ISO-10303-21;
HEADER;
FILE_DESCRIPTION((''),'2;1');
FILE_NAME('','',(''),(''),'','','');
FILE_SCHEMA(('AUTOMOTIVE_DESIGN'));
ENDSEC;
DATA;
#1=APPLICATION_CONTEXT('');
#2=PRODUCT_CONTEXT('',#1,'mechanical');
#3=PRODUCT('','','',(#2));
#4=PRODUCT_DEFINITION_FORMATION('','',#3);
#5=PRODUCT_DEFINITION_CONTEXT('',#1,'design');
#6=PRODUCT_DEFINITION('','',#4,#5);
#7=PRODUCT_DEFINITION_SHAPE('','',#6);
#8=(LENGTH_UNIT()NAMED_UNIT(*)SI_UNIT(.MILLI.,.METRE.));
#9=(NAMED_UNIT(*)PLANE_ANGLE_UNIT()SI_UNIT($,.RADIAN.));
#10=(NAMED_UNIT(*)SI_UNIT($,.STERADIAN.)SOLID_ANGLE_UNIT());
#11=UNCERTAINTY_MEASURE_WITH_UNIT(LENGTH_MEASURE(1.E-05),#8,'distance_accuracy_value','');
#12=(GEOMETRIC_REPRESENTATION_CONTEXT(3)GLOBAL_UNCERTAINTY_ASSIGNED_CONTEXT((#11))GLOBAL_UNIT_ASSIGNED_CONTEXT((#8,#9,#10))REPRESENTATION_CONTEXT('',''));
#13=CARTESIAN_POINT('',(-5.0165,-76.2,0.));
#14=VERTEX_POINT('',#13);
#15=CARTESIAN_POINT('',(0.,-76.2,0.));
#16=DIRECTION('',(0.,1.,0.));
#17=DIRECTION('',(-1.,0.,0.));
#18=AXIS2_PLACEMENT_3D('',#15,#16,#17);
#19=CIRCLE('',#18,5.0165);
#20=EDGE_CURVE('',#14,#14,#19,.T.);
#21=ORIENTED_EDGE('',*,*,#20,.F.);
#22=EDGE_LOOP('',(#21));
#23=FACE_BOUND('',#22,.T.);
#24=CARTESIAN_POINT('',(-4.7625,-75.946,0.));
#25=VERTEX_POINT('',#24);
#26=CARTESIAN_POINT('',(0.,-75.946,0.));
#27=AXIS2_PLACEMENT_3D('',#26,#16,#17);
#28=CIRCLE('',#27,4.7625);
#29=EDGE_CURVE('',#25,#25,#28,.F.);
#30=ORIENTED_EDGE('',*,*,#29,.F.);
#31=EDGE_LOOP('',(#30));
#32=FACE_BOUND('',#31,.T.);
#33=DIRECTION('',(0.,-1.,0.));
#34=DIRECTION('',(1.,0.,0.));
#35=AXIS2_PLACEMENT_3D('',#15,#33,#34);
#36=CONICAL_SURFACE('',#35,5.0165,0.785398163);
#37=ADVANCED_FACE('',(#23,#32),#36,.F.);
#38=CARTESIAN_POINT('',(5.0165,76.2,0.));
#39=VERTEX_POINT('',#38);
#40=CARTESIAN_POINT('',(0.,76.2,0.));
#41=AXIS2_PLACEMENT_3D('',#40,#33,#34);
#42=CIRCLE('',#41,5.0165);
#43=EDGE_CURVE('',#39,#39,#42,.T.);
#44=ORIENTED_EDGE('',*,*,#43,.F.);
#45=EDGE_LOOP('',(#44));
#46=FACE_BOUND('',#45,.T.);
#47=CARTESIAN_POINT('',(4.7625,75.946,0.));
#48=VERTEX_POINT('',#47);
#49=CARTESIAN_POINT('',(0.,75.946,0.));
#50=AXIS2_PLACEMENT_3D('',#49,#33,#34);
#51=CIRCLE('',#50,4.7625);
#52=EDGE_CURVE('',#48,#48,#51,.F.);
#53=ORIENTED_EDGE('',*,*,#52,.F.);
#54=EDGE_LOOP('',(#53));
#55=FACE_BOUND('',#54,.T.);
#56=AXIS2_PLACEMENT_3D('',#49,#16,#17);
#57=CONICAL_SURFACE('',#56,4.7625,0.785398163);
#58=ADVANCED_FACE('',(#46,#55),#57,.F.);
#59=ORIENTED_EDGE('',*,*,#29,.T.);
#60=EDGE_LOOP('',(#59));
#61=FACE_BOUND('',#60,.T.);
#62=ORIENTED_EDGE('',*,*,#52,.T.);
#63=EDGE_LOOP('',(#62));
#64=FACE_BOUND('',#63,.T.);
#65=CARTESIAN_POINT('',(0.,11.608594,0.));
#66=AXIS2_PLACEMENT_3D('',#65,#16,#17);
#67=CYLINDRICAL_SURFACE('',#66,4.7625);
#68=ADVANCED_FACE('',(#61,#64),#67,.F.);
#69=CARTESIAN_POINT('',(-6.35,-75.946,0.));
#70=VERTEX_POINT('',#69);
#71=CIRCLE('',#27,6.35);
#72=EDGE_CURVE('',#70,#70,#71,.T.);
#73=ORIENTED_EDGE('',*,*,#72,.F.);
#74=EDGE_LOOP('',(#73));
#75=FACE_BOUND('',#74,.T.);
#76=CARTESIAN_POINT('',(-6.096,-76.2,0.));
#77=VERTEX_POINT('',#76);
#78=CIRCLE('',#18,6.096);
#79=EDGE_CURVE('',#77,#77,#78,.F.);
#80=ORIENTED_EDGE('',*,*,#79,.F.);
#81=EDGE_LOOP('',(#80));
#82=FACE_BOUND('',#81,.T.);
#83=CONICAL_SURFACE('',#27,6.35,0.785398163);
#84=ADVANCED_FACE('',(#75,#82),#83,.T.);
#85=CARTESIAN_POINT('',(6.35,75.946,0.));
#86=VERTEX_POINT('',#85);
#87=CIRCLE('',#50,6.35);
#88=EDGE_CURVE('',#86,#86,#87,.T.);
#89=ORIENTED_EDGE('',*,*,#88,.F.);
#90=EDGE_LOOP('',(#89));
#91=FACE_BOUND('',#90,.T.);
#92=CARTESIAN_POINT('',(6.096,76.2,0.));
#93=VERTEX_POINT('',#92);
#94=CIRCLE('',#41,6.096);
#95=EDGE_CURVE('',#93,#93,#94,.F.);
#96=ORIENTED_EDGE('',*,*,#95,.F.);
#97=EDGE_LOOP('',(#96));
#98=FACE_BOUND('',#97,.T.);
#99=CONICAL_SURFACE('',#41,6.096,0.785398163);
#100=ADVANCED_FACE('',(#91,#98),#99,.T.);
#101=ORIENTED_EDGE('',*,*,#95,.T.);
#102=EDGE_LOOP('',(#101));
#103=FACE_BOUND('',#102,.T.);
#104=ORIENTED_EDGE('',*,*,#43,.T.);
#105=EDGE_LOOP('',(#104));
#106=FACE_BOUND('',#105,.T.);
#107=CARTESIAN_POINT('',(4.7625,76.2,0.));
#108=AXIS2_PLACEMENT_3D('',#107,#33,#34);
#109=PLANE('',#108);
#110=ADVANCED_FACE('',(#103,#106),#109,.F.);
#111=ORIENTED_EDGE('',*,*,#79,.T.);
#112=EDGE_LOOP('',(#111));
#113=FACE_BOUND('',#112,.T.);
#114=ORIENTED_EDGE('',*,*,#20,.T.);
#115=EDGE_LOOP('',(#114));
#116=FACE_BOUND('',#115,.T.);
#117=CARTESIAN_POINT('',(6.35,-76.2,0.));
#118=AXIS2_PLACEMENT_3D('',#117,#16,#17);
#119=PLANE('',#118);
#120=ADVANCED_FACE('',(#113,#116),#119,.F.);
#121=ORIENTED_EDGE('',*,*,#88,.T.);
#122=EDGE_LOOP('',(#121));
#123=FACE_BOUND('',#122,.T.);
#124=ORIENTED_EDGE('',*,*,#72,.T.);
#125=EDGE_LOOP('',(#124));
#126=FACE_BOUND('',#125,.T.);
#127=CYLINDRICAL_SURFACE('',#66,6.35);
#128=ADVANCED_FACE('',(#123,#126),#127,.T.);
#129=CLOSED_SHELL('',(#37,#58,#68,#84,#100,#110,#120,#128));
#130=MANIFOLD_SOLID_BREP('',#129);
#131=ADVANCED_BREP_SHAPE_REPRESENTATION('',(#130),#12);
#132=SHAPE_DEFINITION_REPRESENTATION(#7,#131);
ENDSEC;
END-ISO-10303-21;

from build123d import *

# Parameters (mm, degrees)
SKETCH1_W     = 1.5875
SKETCH1_H     = 152.4
CHAMFER1_SIZE = 0.254


with BuildPart() as part:
    # Sketch1 → Revolve1 (revolve)
    with BuildSketch(Plane.XY):
        with Locations((5.55625, 0)):
            Rectangle(SKETCH1_W, SKETCH1_H)
    revolve(axis=Axis((0, 11.60859375, 0), (0, -1, 0)))

    # Chamfer1
    chamfer1_edges = [part.edges().sort_by_distance(p)[0] for p in [
        (-4.7625, -76.2, 0),
        (-6.35, -76.2, 0),
        (-6.35, 76.2, 0),
        (-4.7625, 76.2, 0),
    ]]
    chamfer(chamfer1_edges, length=CHAMFER1_SIZE)


solid = part.part
